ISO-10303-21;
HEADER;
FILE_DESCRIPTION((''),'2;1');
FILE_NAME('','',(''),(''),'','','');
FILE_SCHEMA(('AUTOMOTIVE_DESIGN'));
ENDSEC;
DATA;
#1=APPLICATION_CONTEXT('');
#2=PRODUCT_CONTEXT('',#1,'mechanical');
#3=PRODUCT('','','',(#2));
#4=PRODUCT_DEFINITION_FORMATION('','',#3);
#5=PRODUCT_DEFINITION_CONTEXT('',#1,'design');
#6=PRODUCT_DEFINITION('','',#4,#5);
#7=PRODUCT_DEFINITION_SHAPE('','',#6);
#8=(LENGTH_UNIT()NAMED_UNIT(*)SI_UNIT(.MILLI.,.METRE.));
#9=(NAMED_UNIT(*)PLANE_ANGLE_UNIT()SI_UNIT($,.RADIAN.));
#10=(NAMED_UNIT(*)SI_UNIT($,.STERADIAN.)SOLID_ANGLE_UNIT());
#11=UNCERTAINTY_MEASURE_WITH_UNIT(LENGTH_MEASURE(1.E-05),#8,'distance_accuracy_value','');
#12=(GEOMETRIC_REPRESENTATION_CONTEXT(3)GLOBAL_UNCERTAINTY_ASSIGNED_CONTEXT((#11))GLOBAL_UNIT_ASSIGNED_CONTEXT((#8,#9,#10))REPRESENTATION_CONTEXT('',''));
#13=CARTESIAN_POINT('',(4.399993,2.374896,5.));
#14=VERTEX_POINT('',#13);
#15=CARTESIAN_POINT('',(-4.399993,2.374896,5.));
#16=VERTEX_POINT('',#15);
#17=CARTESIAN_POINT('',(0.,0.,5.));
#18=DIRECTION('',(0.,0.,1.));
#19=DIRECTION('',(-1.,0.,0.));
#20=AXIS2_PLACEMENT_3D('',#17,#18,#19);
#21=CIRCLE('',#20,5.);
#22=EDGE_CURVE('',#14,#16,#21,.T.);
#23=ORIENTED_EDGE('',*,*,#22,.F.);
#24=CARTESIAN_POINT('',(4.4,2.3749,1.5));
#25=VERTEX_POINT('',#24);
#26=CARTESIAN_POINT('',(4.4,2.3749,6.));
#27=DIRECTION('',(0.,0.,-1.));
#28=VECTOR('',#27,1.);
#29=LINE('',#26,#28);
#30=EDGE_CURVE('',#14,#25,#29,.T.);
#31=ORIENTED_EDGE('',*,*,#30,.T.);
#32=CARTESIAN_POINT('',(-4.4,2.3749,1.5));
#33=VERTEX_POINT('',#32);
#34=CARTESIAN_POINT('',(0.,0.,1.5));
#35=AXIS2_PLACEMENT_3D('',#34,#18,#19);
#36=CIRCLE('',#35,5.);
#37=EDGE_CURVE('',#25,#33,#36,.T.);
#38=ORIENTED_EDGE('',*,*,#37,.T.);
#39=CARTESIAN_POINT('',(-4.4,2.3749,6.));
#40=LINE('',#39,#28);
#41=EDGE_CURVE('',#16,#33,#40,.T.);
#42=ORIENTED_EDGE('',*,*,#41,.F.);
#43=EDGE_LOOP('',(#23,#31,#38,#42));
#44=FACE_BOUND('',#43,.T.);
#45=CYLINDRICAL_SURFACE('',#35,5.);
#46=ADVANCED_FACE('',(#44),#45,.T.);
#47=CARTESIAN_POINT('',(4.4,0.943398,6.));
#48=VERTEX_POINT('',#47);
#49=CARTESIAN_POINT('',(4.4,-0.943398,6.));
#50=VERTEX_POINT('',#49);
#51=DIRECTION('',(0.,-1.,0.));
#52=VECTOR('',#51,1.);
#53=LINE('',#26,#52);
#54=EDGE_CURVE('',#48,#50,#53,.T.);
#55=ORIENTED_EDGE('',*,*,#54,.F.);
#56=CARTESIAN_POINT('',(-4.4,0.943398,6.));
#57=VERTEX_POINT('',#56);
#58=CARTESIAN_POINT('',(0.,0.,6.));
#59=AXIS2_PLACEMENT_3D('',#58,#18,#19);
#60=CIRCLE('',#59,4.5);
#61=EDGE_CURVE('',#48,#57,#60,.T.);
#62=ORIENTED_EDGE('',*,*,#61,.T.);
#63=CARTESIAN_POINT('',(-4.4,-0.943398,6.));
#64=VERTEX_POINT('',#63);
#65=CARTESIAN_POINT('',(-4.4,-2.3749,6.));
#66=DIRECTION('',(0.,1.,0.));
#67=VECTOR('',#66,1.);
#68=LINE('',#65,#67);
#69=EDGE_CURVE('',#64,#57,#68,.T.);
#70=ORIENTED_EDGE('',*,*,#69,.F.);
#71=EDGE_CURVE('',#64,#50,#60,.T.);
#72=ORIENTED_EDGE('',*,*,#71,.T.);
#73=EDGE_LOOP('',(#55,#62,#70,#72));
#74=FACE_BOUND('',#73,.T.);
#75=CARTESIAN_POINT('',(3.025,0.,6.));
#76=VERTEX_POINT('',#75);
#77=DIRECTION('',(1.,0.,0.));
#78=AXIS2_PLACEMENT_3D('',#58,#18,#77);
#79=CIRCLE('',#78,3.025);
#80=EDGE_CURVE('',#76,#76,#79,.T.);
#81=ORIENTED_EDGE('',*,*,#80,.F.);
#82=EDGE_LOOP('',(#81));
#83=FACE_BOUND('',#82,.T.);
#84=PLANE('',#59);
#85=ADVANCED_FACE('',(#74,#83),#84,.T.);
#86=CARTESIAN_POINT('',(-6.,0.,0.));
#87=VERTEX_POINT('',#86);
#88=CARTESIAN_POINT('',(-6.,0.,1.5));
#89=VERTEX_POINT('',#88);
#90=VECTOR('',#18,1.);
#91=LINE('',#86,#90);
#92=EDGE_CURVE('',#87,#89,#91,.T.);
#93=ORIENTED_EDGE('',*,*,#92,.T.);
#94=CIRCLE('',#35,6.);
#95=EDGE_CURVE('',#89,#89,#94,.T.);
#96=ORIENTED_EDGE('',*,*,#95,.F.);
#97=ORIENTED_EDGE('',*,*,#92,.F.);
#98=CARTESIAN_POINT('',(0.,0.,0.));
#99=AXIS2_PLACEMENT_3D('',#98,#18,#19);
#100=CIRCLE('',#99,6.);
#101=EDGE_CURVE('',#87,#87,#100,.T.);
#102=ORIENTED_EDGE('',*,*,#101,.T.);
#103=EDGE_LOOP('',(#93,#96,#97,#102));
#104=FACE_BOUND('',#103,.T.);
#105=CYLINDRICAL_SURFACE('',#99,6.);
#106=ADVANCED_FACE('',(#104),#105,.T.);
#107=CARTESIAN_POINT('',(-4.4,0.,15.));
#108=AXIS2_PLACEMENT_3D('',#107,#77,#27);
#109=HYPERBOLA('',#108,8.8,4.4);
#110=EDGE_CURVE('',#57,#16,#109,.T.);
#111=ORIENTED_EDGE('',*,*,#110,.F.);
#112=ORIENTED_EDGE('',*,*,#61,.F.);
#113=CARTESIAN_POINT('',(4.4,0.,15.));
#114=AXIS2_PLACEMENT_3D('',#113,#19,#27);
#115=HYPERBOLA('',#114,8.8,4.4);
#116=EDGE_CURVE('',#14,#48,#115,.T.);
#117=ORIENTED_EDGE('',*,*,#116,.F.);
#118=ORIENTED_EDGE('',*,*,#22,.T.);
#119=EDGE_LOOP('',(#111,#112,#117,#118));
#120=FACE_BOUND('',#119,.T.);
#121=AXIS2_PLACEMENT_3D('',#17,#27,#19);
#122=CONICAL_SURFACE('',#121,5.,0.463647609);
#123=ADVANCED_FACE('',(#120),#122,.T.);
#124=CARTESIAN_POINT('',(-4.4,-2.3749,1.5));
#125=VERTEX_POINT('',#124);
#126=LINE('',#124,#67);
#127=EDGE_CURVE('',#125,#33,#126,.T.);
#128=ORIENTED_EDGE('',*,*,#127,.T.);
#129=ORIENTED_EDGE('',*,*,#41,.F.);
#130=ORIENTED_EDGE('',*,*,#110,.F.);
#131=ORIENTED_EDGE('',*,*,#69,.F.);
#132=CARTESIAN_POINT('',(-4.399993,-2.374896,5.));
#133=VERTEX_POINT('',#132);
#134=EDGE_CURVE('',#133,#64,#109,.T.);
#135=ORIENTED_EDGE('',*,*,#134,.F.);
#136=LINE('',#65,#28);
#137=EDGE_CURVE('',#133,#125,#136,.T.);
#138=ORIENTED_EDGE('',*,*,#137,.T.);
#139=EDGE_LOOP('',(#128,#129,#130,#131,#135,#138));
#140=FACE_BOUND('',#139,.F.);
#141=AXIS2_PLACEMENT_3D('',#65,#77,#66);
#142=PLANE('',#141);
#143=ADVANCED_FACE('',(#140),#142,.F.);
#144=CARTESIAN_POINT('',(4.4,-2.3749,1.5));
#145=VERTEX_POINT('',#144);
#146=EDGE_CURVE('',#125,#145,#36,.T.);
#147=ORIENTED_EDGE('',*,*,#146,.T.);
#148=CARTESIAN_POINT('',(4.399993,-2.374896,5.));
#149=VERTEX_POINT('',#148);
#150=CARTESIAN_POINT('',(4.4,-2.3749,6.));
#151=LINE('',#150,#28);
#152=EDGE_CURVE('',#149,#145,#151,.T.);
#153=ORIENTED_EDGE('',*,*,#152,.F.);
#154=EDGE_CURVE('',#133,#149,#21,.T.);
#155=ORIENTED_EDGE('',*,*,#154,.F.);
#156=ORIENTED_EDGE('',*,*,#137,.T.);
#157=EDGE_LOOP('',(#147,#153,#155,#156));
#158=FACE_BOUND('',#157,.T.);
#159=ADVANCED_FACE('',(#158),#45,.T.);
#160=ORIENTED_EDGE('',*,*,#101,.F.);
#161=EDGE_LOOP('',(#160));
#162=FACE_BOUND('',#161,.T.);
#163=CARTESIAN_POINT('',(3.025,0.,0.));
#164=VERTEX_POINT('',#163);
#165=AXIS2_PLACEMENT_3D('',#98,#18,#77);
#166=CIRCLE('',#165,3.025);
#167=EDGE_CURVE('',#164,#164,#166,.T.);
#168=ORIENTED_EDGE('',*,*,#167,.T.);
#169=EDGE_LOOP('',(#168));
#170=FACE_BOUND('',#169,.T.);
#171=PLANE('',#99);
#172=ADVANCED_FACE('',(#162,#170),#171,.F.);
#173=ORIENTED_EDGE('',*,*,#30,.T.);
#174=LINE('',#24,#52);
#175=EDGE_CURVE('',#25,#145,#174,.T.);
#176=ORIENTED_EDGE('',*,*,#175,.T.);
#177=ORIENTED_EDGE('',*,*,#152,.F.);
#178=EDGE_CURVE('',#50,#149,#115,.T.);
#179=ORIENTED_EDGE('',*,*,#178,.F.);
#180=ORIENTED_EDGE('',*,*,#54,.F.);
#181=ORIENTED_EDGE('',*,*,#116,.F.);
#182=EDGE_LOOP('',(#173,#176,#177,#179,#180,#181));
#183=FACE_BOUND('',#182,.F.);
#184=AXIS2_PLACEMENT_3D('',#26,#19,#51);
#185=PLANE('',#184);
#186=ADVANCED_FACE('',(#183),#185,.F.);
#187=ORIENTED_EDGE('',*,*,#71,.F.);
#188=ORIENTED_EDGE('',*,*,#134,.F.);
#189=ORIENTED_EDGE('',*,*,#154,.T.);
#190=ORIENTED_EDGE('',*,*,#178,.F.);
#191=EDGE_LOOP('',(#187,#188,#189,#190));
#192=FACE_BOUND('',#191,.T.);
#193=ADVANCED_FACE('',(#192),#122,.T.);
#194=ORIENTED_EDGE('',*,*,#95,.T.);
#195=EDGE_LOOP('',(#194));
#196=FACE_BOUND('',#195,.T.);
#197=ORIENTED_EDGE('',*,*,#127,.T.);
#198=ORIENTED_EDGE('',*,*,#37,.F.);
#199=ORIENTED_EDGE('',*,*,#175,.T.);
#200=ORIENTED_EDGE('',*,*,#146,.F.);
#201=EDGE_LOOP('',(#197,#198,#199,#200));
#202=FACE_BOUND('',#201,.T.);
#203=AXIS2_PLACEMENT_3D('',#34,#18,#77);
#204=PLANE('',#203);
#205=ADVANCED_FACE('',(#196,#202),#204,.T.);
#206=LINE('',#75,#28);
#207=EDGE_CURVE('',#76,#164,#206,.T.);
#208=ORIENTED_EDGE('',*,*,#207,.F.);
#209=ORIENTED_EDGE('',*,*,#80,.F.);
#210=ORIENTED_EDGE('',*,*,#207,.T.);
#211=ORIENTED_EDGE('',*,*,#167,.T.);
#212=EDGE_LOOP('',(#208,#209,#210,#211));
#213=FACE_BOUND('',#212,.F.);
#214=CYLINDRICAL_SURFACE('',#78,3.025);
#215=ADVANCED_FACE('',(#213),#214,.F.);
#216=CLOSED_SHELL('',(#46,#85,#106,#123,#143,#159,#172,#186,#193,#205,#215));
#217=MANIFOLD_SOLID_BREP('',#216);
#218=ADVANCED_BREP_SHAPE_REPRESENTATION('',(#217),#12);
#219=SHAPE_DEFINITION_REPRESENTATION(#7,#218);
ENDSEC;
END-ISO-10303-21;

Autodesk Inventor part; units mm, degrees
ref_plane "YZ Plane" through (0, 0, 0) normal (1, 0, 0) x (0, 1, 0)
ref_plane "XZ Plane" through (0, 0, 0) normal (0, 1, 0) x (-1, 0, 0)
ref_plane "XY Plane" through (0, 0, 0) normal (0, 0, 1) x (1, 0, 0)
sketch "スケッチ1" plane through (0, 0, 0) normal (0, 1, 0) x (-1, 0, 0)
  line L0 (3, 0) -> (6, 0)
  line L1 (6, 0) -> (6, 1.5)
  line L2 (6, 1.5) -> (5, 1.5)
  line L3 (5, 1.5) -> (5, 5)
  line L4 (4.5, 6) -> (3, 6)
  line L5 (3, 6) -> (3, 0)
  line L6 (5, 5) -> (4.5, 6)
  line L7 (0, -1.2) -> (0, 7.2) projected
  point P0 (0, 0)
  point P1 (3, 6)
  dimension "d5" = 1.5
  dimension "d9" = 1
  dimension "d10" = 0.5
  dimension "d17" = 10
  dimension "d18" = 12
  dimension "d19" = 6
  dimension "d20" = 6
revolve "回転1" add sketch "スケッチ1" angle 360 about axis through (0, 0, -10) along (0, 0, 1)
sketch "スケッチ2" plane through (0, 0, 6) normal (0, 0, 1) x (1, 0, 0)
  line L0 (4.4, -2.3749) -> (-4.4, -2.3749)
  line L1 (-4.4, -2.3749) -> (-4.4, 2.3749)
  line L2 (-4.4, 2.3749) -> (4.4, 2.3749)
  line L3 (4.4, 2.3749) -> (4.4, -2.3749)
  line L4 (4.4, -2.3749) -> (-4.4, 2.3749) construction
  line L5 (-4.4, -2.3749) -> (4.4, 2.3749) construction
  circle A0 centre (0, 0) radius 5
  point P0 (0, 0)
  dimension "d12" = 10
  dimension "d11" = 8.8
extrude "押し出し1" cut sketch "スケッチ2" against normal up to surface (4.5 mm away) contours L3 A0 | A0 L1
sketch "스케치3" plane through (0, 0, 6) normal (0, 0, 1) x (1, 0, 0)
  circle A0 centre (0, 0) radius 3 projected
  line L0 (4.4, -0.9434) -> (4.4, 0.9434) projected
  arc A1 (4.4, 0.9434) -> (-4.4, 0.9434) centre (0, 0) ccw projected
  line L1 (-4.4, 0.9434) -> (-4.4, -0.9434) projected
  arc A2 (-4.4, -0.9434) -> (4.4, -0.9434) centre (0, 0) ccw projected
  circle A3 centre (0, 0) radius 3.025
  dimension "d21" = 6.05
extrude "돌출2" cut sketch "스케치3" against normal up to surface (6 mm away) contours A0 | A3
properties part number "LED-0606" material "アセタール樹脂、黒"
